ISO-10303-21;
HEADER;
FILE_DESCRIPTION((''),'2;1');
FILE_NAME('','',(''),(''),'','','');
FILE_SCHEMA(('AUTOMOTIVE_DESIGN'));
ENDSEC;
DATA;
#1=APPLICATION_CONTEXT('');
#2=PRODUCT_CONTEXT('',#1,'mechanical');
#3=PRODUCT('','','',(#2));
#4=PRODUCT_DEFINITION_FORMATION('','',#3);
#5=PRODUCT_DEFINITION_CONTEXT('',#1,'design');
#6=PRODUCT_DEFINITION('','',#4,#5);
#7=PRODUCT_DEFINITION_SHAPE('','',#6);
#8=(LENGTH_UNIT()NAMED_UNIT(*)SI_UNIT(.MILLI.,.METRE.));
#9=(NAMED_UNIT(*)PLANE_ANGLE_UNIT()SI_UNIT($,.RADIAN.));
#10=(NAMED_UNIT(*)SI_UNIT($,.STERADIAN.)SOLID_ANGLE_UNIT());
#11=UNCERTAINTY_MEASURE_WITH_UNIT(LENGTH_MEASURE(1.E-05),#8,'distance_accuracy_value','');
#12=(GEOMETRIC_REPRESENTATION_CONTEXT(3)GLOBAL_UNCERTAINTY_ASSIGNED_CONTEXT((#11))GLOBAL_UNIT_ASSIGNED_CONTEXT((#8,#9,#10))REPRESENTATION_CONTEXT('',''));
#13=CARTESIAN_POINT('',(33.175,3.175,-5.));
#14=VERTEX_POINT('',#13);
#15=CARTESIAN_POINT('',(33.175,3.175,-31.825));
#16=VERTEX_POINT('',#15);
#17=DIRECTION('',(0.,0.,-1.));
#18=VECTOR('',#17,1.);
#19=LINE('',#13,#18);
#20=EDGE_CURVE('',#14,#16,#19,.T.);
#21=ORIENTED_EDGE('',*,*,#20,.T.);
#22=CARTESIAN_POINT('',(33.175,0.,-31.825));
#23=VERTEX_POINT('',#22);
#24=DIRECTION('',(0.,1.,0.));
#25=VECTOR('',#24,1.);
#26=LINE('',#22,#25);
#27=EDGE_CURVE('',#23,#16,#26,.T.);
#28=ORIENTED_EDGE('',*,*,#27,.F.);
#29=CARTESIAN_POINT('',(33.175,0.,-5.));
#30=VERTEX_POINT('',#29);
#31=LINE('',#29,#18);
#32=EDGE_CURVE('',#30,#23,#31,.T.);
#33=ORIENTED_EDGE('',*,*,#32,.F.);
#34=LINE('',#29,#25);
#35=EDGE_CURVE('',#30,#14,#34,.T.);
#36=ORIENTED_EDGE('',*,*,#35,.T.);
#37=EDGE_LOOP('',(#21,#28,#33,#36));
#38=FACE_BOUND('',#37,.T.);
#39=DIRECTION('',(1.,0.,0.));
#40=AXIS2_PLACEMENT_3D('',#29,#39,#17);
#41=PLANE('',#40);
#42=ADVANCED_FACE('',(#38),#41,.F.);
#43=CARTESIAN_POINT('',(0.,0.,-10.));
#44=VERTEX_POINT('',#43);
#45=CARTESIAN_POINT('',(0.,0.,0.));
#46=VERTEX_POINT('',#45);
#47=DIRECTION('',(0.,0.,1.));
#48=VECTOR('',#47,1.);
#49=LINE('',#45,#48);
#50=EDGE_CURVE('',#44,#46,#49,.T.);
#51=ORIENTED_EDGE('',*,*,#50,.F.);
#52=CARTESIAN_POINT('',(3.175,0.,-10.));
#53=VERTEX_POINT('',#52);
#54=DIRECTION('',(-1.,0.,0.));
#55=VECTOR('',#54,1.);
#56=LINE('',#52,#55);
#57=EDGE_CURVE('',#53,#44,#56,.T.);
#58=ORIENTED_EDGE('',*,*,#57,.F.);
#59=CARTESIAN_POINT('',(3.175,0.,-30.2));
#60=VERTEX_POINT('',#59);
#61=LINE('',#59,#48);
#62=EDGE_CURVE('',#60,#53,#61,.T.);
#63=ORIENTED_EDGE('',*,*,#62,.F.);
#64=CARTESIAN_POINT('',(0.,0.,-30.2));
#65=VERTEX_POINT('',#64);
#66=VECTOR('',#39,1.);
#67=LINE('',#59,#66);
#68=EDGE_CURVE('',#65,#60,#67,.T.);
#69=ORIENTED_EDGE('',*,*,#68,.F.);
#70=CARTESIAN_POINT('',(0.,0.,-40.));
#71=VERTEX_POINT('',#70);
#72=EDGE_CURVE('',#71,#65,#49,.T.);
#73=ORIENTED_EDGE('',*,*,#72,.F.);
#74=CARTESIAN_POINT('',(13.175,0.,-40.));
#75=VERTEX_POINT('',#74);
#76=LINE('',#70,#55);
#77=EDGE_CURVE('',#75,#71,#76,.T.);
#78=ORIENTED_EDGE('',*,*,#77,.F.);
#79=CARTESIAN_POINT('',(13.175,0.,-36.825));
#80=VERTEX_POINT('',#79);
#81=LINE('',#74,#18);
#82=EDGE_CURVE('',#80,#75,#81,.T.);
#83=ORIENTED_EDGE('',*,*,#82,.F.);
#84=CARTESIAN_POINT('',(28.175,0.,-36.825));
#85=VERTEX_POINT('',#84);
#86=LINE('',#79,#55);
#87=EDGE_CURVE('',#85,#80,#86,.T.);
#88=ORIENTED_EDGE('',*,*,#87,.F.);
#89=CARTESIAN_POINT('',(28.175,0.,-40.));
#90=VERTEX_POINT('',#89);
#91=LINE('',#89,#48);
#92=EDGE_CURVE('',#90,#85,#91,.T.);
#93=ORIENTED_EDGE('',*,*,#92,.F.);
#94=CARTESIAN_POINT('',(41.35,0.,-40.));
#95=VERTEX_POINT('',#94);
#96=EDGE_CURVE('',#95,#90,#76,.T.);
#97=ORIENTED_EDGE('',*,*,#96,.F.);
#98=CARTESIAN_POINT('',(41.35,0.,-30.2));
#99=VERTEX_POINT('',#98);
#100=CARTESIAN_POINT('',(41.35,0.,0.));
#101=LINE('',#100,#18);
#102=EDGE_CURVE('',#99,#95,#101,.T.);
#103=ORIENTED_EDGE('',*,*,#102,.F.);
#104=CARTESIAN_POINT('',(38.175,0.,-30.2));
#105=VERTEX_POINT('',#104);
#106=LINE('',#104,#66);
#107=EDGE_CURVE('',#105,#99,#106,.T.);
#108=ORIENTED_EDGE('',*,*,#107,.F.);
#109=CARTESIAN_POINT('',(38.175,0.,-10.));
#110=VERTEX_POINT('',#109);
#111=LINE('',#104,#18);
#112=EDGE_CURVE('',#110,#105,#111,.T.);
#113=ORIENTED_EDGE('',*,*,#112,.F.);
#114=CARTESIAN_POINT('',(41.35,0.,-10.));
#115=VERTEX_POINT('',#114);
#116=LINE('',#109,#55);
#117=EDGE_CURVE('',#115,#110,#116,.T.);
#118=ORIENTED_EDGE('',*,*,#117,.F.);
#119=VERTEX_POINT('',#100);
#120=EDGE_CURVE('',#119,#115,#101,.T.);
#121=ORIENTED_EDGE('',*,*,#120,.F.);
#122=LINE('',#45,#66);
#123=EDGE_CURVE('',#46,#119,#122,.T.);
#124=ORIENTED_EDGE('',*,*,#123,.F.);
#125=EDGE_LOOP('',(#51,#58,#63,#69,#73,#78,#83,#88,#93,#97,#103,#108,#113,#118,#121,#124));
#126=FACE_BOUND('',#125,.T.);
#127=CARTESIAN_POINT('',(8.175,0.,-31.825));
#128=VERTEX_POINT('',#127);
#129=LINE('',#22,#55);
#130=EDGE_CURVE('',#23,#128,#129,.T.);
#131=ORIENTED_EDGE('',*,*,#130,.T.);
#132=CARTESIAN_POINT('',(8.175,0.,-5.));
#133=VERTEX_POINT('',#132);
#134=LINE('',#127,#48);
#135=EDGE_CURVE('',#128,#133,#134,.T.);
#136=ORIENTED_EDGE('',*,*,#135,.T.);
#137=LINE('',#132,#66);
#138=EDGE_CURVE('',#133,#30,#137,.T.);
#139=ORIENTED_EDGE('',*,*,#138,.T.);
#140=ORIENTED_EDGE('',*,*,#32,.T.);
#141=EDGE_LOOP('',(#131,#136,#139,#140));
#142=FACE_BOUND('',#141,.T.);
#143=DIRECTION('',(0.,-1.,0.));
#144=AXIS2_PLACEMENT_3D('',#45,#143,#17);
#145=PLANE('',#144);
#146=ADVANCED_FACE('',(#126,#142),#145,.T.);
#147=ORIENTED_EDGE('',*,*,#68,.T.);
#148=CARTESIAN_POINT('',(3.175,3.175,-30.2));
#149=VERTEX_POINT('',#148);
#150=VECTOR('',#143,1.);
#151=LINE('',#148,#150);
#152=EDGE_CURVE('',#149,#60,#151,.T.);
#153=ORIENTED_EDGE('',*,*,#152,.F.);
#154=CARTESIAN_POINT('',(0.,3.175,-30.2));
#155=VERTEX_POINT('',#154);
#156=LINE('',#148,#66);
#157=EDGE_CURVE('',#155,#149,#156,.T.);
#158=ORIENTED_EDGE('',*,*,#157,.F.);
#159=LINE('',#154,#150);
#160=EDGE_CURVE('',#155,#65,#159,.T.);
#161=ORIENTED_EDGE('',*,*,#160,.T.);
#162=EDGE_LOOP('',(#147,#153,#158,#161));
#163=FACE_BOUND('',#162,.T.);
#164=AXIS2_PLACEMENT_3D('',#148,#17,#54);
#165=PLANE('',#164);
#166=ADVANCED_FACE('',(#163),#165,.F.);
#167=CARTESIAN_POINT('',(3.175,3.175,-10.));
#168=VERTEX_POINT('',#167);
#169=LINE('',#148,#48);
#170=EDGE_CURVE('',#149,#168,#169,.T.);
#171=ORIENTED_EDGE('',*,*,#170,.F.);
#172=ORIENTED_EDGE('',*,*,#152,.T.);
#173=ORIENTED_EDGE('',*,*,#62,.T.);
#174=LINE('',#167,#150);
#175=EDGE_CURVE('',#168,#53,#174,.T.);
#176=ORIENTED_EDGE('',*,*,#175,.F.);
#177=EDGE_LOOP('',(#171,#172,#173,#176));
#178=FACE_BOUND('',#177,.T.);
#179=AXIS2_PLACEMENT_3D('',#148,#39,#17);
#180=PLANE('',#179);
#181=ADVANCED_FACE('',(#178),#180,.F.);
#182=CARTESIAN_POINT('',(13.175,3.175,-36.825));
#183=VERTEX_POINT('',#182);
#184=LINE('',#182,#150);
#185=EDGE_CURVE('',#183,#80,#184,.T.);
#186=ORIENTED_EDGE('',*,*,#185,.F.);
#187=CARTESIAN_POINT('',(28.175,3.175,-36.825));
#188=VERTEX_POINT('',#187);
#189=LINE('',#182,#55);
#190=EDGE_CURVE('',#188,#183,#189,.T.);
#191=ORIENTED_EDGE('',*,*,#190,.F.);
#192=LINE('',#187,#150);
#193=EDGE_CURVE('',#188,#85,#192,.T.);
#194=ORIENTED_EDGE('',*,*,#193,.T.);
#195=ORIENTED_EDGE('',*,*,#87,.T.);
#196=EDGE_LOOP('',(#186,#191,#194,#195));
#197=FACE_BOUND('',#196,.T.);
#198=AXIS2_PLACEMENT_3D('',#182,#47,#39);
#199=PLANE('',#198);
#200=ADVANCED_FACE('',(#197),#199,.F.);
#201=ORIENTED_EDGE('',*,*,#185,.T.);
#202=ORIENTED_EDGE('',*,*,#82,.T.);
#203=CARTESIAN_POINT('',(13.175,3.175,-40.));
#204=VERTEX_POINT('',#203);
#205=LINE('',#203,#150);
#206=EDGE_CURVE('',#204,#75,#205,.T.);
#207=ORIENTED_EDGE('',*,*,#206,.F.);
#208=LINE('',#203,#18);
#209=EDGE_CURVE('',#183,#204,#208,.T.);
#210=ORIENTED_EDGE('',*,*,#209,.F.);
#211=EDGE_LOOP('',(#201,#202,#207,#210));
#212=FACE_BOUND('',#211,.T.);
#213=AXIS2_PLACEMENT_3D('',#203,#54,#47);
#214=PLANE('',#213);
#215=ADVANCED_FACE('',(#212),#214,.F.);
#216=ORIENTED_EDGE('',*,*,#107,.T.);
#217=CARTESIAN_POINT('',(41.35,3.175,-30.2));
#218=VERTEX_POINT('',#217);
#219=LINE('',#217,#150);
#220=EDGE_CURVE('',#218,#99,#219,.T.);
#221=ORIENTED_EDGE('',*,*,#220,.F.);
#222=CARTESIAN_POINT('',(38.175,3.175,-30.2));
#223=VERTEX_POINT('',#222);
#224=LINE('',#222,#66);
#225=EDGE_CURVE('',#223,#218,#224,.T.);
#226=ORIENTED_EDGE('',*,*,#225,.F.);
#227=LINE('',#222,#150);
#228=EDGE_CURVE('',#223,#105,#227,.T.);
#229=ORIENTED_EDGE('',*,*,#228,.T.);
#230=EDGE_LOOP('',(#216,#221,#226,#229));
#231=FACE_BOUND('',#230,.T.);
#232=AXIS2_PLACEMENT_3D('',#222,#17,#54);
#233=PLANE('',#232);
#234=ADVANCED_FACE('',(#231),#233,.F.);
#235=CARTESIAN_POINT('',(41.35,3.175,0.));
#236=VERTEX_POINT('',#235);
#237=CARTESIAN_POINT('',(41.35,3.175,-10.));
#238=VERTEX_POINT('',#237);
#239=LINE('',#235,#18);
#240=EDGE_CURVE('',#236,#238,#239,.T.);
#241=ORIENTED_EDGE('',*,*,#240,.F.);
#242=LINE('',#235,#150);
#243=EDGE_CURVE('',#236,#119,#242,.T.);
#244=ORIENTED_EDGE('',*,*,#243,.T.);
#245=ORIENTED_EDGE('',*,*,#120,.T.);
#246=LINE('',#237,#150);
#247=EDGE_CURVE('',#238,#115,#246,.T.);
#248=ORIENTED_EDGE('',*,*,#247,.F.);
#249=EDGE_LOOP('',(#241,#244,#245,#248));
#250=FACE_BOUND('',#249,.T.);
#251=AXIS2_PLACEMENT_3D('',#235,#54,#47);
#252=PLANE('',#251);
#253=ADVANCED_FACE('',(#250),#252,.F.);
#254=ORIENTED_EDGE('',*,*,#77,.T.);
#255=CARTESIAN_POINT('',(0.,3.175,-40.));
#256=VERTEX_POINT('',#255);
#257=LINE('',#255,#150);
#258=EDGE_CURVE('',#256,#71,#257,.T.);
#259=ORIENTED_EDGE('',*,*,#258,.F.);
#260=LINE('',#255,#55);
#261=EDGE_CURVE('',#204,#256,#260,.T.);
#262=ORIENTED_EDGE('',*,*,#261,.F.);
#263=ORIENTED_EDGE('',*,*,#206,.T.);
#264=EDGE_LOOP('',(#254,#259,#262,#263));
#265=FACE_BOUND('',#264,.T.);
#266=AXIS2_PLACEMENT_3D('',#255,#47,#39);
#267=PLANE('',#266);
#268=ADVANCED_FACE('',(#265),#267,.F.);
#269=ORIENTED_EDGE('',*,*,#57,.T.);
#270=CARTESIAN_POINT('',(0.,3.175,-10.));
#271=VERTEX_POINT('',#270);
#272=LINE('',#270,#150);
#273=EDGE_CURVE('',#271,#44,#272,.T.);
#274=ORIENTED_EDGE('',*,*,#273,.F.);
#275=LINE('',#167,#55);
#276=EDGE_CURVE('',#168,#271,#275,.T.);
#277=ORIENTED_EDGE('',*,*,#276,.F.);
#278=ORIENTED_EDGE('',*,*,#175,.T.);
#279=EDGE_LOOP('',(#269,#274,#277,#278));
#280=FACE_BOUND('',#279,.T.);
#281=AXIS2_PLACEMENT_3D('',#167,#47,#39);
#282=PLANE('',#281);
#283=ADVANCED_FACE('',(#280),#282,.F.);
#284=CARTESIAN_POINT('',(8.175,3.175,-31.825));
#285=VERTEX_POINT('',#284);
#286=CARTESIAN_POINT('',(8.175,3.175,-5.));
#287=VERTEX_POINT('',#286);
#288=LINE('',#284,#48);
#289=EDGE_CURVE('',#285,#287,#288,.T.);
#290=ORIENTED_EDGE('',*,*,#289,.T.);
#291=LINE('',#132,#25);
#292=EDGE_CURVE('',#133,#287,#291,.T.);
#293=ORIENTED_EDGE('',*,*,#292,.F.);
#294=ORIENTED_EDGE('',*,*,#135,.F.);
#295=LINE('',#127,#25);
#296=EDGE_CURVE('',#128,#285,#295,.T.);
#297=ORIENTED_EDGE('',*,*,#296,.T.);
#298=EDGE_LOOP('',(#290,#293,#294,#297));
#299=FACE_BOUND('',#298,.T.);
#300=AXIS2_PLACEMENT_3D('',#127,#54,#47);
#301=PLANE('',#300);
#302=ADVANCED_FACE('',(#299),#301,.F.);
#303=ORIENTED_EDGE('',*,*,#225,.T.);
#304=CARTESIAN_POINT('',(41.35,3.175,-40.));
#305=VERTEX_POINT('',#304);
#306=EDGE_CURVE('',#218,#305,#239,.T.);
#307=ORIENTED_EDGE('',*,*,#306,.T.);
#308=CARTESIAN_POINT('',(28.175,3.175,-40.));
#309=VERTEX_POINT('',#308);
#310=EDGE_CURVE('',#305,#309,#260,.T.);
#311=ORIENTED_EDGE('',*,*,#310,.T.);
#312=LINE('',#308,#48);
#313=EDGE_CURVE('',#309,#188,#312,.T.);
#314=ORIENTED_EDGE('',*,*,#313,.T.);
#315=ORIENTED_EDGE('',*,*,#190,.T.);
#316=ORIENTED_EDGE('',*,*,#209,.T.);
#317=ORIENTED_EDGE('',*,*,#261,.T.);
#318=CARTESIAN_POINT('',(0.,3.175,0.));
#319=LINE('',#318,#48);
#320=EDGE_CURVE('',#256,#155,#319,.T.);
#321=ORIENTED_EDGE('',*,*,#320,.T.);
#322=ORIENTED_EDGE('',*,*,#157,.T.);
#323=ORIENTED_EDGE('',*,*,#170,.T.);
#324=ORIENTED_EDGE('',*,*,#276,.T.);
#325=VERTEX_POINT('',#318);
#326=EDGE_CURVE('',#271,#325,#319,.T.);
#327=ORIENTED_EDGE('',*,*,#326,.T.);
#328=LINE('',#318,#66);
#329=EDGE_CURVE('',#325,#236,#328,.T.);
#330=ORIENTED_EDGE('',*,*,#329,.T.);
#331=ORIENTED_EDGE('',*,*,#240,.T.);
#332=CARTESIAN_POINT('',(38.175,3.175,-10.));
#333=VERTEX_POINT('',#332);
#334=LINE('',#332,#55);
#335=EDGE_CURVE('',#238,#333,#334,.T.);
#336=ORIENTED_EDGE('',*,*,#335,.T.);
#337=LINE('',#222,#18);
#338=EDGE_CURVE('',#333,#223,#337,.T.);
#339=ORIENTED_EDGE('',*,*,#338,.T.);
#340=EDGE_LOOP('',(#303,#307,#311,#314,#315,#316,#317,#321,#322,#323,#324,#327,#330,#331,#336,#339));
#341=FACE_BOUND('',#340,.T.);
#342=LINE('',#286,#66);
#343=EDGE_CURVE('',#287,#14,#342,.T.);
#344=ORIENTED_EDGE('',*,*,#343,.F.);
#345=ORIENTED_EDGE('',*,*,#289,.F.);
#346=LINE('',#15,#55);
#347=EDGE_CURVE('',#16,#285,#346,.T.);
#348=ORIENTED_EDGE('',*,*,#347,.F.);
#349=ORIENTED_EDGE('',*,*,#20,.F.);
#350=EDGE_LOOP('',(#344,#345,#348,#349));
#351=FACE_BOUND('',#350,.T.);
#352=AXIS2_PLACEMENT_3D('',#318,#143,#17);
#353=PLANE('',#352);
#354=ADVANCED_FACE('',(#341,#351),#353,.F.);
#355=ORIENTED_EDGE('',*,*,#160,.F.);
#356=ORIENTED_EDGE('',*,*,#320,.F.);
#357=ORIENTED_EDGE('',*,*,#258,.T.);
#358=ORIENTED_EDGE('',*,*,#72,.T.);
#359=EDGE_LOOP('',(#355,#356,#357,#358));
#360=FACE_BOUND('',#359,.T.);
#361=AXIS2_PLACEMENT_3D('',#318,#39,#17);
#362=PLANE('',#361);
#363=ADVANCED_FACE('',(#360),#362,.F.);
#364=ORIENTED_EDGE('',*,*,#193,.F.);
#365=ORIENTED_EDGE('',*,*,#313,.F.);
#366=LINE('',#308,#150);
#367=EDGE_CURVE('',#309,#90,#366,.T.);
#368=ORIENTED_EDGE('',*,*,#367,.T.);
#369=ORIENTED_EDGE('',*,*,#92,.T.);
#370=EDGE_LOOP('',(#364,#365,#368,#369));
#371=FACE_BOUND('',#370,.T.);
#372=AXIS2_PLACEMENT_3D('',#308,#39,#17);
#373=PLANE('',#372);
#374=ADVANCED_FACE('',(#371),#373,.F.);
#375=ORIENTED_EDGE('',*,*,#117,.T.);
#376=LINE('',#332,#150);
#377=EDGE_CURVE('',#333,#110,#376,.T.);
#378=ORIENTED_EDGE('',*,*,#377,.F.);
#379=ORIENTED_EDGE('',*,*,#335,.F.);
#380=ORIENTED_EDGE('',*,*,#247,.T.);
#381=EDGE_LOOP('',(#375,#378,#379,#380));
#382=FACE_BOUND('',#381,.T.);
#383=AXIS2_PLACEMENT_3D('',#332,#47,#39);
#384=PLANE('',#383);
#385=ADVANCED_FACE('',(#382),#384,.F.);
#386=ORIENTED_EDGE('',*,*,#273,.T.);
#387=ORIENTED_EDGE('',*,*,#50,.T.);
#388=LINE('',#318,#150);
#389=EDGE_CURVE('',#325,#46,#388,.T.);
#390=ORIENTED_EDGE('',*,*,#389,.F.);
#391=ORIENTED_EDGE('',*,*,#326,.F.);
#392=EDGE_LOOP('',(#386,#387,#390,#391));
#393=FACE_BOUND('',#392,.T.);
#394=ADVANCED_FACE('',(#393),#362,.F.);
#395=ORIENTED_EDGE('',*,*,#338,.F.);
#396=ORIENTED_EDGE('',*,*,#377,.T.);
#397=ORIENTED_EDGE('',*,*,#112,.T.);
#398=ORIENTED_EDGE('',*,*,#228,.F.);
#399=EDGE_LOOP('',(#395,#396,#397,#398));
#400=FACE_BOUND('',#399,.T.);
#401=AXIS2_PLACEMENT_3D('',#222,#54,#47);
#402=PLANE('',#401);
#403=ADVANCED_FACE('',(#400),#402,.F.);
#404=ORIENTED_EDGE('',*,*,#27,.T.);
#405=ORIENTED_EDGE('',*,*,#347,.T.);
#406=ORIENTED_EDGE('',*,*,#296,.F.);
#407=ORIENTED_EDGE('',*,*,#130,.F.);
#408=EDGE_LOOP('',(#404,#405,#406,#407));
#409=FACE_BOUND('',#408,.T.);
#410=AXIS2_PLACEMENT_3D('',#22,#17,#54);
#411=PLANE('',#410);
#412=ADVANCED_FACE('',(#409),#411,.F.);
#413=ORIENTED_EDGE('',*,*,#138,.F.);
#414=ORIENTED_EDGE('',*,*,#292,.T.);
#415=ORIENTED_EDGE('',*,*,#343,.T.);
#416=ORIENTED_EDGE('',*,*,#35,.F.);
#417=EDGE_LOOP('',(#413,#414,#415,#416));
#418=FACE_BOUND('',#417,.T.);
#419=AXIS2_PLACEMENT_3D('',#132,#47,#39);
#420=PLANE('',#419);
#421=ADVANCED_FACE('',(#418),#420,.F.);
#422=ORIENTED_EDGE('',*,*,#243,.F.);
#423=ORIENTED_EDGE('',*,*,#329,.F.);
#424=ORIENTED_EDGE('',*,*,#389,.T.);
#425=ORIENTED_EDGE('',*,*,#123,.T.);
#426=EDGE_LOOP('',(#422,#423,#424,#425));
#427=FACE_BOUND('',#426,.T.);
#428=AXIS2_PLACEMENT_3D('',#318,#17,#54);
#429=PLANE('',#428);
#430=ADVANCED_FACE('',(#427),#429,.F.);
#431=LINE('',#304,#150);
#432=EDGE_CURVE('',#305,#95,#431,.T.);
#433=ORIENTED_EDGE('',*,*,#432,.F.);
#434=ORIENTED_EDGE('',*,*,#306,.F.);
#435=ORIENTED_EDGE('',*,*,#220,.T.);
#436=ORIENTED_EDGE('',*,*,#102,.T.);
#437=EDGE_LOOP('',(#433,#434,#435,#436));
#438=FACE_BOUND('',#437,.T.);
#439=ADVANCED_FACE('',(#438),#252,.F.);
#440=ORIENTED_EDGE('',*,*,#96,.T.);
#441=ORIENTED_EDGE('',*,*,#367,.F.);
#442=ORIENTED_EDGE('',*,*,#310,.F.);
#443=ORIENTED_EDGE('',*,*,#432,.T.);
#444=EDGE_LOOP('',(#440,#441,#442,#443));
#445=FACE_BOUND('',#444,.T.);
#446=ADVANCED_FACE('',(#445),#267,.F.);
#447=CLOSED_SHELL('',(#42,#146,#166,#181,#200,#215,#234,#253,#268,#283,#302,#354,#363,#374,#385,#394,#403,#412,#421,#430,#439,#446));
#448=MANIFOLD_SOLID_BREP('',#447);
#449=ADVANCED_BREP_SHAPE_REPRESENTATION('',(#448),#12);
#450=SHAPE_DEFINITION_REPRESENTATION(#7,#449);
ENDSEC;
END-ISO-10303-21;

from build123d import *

# Parameters (mm, degrees)
SKETCH1_W           = 41.35
SKETCH1_H           = 40
BOSS_EXTRUDE1_DEPTH = 3.175
SKETCH2_W           = 3.175
SKETCH2_H           = 20.2
SKETCH2_W_2         = 15
SKETCH2_H_2         = 3.175
CUT_EXTRUDE1_DEPTH  = 4.175
SKETCH3_W           = 25
SKETCH3_H           = 26.825
CUT_EXTRUDE2_DEPTH  = 4.175


with BuildPart() as part:
    # Sketch1 → Boss-Extrude1 (new body)
    with BuildSketch(Plane(origin=(0, 0, 0), x_dir=(1, 0, 0), z_dir=(0, 1, 0))):
        with Locations((20.675, 20)):
            Rectangle(SKETCH1_W, SKETCH1_H)
    extrude(amount=BOSS_EXTRUDE1_DEPTH)

    # Sketch2 → Cut-Extrude1 (cut, through all)
    with BuildSketch(Plane.XZ):
        with Locations((39.7625, -20.1)):
            Rectangle(SKETCH2_W, SKETCH2_H)
        with Locations((1.5875, -20.1)):
            Rectangle(SKETCH2_W, SKETCH2_H)
        with Locations((20.675, -38.4125)):
            Rectangle(SKETCH2_W_2, SKETCH2_H_2)
    extrude(amount=-CUT_EXTRUDE1_DEPTH, mode=Mode.SUBTRACT)

    # Sketch3 → Cut-Extrude2 (cut, through all)
    with BuildSketch(Plane(origin=(0, 3.175, 0), x_dir=(1, 0, 0), z_dir=(0, 1, 0))):
        with Locations((20.675, 18.4125)):
            Rectangle(SKETCH3_W, SKETCH3_H)
    extrude(amount=-CUT_EXTRUDE2_DEPTH, mode=Mode.SUBTRACT)


solid = part.part
